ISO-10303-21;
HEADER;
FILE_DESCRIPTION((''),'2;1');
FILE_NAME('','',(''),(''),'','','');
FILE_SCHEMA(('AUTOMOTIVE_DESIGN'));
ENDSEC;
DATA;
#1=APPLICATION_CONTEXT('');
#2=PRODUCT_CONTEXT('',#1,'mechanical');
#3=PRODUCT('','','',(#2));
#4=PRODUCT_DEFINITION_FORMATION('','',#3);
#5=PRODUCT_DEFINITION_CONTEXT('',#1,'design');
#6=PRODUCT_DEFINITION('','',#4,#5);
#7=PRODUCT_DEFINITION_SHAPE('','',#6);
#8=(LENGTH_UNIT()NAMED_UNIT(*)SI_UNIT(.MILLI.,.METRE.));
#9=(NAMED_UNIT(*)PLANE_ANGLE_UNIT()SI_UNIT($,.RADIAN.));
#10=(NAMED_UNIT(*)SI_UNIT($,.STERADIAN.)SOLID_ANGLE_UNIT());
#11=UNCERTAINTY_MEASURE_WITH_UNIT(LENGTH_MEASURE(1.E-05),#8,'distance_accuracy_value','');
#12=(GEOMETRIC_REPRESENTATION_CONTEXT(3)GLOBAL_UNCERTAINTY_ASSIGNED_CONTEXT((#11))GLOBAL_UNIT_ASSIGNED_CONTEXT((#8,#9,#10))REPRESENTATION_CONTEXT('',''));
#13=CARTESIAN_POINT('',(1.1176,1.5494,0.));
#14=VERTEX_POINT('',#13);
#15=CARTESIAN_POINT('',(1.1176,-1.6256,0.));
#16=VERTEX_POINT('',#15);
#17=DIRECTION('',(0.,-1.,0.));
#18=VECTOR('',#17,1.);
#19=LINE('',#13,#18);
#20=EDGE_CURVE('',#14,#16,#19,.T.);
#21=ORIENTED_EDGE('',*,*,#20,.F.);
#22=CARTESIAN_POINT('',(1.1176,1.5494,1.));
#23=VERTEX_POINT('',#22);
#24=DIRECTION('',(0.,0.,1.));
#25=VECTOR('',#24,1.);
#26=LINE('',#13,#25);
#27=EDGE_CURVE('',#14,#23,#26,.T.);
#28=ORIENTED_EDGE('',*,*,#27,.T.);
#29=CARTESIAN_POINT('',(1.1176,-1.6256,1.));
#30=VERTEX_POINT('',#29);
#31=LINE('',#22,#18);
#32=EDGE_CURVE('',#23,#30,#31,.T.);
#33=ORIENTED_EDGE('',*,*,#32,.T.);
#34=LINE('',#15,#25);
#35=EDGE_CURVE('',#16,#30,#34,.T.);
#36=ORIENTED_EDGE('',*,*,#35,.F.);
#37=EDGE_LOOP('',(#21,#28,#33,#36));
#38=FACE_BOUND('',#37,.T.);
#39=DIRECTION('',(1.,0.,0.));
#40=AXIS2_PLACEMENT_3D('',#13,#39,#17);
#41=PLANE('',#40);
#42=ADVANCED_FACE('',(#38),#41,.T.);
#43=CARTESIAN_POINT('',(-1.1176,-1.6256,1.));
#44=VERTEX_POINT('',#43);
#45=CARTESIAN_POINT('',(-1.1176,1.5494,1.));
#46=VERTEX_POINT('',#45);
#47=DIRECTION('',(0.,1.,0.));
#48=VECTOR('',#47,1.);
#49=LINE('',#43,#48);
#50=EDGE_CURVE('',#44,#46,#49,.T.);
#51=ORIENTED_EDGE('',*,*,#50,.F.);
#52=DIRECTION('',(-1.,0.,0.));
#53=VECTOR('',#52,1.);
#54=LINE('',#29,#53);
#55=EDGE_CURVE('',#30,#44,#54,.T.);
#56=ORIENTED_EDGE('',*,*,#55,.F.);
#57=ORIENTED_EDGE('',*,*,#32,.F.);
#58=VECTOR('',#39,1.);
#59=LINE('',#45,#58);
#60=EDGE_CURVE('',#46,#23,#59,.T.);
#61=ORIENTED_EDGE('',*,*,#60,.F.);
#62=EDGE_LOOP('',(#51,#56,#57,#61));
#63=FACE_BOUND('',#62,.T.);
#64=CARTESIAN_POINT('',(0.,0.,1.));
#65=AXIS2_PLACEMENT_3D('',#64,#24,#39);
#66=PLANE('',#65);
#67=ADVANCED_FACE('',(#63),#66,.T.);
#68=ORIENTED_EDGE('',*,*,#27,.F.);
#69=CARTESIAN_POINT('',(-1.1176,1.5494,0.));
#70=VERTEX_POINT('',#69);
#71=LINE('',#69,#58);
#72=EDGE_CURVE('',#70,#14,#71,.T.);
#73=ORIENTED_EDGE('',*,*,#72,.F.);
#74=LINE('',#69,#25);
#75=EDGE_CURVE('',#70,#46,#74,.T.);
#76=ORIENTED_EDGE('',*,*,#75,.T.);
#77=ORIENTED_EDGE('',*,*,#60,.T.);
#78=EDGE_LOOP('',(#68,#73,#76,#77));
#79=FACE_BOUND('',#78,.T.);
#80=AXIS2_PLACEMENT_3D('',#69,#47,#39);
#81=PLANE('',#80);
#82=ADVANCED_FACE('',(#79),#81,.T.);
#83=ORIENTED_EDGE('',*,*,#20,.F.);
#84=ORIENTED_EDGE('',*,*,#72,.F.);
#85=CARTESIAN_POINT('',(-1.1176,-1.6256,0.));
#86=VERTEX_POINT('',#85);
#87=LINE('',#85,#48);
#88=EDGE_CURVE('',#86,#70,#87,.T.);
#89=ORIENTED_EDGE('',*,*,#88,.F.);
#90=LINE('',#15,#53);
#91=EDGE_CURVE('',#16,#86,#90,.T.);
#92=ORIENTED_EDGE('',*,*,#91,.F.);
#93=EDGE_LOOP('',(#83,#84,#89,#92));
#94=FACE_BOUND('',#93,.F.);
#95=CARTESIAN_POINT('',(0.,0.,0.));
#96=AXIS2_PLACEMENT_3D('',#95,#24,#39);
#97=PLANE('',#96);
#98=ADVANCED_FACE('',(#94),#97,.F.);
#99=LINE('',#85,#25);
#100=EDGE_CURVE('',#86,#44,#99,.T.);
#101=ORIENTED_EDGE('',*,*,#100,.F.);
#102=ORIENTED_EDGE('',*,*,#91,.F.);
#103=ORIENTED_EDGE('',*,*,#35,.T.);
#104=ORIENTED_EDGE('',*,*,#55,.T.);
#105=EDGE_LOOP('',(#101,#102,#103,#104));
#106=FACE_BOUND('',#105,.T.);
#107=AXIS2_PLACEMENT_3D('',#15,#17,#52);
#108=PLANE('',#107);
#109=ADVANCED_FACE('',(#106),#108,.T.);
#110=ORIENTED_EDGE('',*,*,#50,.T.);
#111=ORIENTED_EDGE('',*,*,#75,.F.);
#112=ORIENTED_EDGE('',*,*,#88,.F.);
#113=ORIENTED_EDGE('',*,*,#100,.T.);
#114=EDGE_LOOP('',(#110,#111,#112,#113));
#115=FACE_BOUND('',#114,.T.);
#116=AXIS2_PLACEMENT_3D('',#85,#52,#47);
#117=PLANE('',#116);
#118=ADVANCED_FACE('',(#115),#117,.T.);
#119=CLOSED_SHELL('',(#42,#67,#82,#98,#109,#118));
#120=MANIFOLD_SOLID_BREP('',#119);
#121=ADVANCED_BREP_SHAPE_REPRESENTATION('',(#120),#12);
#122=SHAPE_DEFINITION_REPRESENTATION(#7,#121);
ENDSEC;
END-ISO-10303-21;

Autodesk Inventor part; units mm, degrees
ref_plane "YZ Plane" through (0, 0, 0) normal (1, 0, 0) x (0, 1, 0)
ref_plane "XZ Plane" through (0, 0, 0) normal (0, 1, 0) x (-1, 0, 0)
ref_plane "XY Plane" through (0, 0, 0) normal (0, 0, 1) x (1, 0, 0)
sketch "SON50P200X300X80-11N, BQ24210DQCT_114" plane through (0, 0, 0) normal (0, 0, 1) x (1, 0, 0)
  line L0 (-1.1176, 1.5494) -> (1.1176, 1.5494)
  line L1 (1.1176, 1.5494) -> (1.1176, -1.6256)
  line L2 (1.1176, -1.6256) -> (-1.1176, -1.6256)
  line L3 (-1.1176, -1.6256) -> (-1.1176, 1.5494)
extrude "Extrusion1" add sketch "SON50P200X300X80-11N, BQ24210DQCT_114" along normal blind 1
properties part number "BQ24210DQCT"
